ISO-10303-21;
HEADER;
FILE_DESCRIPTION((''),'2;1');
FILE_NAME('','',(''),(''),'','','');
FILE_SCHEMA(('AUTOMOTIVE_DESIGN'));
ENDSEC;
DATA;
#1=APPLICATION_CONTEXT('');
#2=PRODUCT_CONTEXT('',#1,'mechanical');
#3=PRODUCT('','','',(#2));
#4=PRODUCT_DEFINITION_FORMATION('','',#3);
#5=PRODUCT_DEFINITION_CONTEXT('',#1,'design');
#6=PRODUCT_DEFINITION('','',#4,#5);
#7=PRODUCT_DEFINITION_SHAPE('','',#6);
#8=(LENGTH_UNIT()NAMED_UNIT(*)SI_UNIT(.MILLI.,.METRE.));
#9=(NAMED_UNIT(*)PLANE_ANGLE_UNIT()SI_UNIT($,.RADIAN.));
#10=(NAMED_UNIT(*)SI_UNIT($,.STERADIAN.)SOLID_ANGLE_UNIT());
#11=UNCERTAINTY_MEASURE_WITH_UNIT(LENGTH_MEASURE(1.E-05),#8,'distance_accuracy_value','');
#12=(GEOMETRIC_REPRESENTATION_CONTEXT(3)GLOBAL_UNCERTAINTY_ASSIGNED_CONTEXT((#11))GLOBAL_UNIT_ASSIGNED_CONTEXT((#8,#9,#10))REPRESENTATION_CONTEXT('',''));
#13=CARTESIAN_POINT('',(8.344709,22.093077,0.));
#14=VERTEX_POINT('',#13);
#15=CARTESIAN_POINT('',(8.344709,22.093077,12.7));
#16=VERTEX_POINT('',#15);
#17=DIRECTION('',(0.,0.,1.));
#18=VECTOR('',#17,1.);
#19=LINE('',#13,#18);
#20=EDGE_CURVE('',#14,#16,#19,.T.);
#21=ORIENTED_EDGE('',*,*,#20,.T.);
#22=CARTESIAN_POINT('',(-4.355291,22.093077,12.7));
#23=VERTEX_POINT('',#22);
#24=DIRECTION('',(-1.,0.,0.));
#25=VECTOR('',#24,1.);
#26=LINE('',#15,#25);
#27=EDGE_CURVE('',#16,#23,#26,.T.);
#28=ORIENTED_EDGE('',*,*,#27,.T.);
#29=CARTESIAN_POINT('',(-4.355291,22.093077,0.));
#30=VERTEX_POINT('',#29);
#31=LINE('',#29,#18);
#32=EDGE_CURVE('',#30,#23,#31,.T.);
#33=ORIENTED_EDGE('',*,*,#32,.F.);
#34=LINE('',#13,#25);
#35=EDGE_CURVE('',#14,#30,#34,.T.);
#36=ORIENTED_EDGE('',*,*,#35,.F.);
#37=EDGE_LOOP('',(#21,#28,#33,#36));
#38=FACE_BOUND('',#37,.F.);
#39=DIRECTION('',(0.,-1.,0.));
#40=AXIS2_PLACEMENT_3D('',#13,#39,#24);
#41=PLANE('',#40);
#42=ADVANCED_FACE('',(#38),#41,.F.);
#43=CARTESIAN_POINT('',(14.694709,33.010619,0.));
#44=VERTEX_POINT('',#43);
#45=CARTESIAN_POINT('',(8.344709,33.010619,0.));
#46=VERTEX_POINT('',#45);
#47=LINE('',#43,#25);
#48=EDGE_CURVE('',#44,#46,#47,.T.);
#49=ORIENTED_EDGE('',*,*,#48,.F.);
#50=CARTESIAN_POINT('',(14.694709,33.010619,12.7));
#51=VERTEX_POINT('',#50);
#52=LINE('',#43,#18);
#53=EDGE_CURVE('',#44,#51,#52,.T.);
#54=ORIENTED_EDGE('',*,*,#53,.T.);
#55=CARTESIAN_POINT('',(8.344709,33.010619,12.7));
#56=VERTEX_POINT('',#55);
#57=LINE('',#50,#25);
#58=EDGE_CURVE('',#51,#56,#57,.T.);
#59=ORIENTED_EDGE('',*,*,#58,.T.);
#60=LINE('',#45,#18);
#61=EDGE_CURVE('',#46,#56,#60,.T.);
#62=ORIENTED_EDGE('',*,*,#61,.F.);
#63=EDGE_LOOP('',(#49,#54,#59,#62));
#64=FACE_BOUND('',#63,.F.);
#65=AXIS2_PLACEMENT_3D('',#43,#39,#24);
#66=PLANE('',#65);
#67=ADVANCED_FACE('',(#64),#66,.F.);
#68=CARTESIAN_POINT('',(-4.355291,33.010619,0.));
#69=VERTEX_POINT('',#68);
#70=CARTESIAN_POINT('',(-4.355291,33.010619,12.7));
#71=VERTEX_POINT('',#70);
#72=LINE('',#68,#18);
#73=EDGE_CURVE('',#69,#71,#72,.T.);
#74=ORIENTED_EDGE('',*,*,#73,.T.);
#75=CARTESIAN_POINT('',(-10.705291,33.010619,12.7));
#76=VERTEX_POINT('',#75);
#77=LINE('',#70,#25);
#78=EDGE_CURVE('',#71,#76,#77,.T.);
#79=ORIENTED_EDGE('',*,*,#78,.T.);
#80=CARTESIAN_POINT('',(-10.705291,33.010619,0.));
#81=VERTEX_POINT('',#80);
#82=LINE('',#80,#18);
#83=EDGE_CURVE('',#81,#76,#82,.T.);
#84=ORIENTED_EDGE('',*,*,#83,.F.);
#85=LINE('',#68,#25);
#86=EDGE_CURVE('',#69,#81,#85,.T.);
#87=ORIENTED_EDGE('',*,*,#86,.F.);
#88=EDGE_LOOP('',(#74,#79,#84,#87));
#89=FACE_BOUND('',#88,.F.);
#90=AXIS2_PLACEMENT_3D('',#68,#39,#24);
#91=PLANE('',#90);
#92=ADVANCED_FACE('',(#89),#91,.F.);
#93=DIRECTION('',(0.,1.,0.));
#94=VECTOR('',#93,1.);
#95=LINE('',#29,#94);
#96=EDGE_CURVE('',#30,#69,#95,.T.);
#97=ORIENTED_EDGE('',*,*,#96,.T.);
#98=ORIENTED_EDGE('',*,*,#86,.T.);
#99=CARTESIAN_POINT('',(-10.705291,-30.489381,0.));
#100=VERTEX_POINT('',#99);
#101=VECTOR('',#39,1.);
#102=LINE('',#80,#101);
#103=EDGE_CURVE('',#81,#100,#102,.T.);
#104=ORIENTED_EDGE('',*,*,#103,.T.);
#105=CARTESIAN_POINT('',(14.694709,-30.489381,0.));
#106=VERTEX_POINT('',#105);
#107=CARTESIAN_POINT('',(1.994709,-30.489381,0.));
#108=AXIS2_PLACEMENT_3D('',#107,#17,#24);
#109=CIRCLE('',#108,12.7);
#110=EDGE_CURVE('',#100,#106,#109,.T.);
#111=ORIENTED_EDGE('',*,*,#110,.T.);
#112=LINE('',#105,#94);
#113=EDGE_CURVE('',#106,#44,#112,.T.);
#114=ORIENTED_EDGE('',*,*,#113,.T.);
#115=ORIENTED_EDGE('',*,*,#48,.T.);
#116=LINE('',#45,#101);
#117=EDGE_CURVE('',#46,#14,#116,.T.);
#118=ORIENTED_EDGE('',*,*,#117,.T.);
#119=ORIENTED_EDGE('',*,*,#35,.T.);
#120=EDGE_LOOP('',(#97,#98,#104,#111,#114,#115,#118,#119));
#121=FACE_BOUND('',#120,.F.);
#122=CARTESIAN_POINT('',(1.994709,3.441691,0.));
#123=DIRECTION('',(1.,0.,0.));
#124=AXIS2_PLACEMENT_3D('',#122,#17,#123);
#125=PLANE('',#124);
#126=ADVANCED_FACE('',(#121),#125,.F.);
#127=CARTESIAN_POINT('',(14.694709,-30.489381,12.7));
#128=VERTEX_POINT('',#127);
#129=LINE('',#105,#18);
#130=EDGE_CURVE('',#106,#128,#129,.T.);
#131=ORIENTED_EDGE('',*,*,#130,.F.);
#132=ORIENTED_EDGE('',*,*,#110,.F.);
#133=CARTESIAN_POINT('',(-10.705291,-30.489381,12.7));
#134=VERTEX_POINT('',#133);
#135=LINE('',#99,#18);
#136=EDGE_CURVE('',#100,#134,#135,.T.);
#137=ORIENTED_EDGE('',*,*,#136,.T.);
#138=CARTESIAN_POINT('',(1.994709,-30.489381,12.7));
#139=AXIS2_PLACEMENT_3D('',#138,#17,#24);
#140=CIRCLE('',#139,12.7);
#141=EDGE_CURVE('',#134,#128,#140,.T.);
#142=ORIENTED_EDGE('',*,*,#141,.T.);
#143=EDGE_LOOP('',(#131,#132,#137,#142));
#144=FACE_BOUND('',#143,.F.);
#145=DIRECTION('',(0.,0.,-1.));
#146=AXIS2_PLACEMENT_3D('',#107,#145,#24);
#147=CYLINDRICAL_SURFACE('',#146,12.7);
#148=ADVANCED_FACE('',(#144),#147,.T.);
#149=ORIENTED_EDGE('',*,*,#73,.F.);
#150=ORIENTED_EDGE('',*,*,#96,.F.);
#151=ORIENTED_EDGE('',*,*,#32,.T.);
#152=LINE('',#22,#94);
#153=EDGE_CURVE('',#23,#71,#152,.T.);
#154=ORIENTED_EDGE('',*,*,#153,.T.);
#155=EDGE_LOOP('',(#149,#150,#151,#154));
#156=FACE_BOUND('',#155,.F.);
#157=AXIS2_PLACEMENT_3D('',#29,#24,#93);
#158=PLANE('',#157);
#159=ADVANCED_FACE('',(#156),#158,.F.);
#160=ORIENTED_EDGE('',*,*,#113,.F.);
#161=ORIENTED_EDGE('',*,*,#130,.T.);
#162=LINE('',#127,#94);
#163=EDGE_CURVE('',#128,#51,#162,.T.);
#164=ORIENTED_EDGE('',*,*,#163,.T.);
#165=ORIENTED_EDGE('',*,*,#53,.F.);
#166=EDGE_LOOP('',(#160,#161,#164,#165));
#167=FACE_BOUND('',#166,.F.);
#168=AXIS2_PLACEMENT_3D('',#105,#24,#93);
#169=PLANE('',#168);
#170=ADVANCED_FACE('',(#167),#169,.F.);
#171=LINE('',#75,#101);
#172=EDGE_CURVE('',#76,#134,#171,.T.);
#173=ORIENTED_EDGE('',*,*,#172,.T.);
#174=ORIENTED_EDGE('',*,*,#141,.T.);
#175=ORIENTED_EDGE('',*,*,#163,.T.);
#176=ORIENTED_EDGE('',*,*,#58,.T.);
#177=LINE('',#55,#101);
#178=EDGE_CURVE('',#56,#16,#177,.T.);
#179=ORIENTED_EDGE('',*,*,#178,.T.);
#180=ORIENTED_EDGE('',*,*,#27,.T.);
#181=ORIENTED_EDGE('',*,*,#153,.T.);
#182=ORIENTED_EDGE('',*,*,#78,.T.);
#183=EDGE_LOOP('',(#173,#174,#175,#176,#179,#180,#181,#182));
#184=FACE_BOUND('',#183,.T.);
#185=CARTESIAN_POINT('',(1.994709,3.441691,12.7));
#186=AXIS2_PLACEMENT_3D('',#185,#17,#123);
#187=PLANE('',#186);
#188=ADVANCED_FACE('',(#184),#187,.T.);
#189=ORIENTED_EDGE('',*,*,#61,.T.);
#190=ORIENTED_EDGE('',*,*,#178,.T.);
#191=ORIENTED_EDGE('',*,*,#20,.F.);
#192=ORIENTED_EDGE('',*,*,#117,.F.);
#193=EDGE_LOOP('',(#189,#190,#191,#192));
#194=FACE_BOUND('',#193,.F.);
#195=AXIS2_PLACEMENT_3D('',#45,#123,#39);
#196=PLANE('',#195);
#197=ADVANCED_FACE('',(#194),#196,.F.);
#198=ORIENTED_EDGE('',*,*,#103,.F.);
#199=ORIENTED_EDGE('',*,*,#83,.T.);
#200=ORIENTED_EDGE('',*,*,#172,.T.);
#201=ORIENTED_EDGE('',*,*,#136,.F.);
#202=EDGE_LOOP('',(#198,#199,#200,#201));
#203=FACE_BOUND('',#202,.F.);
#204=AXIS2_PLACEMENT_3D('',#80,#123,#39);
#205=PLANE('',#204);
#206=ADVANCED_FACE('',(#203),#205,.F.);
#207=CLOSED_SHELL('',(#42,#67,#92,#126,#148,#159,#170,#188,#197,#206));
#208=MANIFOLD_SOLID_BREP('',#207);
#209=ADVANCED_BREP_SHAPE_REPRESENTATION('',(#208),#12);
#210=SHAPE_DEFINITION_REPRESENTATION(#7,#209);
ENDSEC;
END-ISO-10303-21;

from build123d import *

# Parameters (mm, degrees)
F1_DEPTH = 12.7


with BuildPart() as f1:
    # F0 (on Top) → F1 (new body)
    with BuildSketch(Plane.XY):
        Polygon((-4.355291, 33.010619), (-10.705291, 33.010619), (-10.705291, -30.489381), (14.694709, -30.489381), (14.694709, 33.010619), (8.344709, 33.010619), (8.344709, 22.093077), (-4.355291, 22.093077), align=None)
        with BuildLine():
            Line((14.694709, -30.489381), (-10.705291, -30.489381))
            ThreePointArc((-10.705291, -30.489381), (1.994709, -43.189381), (14.694709, -30.489381))
        make_face()
    extrude(amount=F1_DEPTH)


solid = f1.part
